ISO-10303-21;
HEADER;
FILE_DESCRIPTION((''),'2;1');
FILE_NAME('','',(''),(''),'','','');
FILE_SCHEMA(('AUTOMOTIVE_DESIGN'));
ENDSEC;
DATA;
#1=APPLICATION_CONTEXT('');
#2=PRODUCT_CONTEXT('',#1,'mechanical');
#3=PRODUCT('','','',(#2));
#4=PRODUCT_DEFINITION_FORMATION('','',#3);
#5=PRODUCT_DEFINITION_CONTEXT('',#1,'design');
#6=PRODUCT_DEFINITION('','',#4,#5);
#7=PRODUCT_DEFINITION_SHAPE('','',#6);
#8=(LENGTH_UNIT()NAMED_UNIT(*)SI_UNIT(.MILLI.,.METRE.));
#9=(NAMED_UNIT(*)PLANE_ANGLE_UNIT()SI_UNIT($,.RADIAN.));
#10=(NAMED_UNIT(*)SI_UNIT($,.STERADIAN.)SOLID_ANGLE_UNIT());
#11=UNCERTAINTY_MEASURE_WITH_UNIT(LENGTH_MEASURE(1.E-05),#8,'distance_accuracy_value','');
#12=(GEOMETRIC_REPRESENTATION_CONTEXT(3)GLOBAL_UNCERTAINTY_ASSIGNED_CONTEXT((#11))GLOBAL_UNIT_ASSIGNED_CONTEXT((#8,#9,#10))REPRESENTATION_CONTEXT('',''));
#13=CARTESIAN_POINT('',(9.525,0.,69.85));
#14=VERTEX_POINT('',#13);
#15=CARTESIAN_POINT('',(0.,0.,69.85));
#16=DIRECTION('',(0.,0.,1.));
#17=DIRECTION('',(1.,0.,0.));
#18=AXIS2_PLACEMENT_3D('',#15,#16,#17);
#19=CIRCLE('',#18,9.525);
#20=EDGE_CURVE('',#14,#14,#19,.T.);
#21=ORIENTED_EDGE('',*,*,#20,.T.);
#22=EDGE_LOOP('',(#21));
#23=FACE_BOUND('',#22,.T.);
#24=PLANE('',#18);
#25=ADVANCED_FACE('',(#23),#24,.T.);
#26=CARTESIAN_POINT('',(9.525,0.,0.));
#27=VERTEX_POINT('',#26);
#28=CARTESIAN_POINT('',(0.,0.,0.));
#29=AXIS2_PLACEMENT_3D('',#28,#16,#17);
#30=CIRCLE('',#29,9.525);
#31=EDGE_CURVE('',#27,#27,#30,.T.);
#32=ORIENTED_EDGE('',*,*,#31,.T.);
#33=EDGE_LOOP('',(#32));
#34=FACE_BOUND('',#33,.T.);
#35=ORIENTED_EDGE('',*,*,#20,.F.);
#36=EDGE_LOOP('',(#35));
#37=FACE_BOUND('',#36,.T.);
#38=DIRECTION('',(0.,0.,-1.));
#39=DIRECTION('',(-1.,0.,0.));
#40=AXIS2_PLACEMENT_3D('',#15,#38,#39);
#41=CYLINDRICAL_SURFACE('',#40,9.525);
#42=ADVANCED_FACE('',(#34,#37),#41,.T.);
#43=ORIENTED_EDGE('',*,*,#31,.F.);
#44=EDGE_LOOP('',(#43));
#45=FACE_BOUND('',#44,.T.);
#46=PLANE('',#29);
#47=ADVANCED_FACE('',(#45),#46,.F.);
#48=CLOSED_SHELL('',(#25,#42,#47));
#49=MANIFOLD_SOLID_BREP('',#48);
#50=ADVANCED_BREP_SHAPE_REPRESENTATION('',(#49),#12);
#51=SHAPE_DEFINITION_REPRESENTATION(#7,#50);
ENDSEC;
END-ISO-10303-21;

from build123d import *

# Parameters (mm, degrees)
SKETCH1_R           = 9.525
BOSS_EXTRUDE1_DEPTH = 69.85


with BuildPart() as part:
    # Sketch1 → Boss-Extrude1 (new body)
    with BuildSketch(Plane.XY):
        Circle(SKETCH1_R)
    extrude(amount=BOSS_EXTRUDE1_DEPTH)


solid = part.part
